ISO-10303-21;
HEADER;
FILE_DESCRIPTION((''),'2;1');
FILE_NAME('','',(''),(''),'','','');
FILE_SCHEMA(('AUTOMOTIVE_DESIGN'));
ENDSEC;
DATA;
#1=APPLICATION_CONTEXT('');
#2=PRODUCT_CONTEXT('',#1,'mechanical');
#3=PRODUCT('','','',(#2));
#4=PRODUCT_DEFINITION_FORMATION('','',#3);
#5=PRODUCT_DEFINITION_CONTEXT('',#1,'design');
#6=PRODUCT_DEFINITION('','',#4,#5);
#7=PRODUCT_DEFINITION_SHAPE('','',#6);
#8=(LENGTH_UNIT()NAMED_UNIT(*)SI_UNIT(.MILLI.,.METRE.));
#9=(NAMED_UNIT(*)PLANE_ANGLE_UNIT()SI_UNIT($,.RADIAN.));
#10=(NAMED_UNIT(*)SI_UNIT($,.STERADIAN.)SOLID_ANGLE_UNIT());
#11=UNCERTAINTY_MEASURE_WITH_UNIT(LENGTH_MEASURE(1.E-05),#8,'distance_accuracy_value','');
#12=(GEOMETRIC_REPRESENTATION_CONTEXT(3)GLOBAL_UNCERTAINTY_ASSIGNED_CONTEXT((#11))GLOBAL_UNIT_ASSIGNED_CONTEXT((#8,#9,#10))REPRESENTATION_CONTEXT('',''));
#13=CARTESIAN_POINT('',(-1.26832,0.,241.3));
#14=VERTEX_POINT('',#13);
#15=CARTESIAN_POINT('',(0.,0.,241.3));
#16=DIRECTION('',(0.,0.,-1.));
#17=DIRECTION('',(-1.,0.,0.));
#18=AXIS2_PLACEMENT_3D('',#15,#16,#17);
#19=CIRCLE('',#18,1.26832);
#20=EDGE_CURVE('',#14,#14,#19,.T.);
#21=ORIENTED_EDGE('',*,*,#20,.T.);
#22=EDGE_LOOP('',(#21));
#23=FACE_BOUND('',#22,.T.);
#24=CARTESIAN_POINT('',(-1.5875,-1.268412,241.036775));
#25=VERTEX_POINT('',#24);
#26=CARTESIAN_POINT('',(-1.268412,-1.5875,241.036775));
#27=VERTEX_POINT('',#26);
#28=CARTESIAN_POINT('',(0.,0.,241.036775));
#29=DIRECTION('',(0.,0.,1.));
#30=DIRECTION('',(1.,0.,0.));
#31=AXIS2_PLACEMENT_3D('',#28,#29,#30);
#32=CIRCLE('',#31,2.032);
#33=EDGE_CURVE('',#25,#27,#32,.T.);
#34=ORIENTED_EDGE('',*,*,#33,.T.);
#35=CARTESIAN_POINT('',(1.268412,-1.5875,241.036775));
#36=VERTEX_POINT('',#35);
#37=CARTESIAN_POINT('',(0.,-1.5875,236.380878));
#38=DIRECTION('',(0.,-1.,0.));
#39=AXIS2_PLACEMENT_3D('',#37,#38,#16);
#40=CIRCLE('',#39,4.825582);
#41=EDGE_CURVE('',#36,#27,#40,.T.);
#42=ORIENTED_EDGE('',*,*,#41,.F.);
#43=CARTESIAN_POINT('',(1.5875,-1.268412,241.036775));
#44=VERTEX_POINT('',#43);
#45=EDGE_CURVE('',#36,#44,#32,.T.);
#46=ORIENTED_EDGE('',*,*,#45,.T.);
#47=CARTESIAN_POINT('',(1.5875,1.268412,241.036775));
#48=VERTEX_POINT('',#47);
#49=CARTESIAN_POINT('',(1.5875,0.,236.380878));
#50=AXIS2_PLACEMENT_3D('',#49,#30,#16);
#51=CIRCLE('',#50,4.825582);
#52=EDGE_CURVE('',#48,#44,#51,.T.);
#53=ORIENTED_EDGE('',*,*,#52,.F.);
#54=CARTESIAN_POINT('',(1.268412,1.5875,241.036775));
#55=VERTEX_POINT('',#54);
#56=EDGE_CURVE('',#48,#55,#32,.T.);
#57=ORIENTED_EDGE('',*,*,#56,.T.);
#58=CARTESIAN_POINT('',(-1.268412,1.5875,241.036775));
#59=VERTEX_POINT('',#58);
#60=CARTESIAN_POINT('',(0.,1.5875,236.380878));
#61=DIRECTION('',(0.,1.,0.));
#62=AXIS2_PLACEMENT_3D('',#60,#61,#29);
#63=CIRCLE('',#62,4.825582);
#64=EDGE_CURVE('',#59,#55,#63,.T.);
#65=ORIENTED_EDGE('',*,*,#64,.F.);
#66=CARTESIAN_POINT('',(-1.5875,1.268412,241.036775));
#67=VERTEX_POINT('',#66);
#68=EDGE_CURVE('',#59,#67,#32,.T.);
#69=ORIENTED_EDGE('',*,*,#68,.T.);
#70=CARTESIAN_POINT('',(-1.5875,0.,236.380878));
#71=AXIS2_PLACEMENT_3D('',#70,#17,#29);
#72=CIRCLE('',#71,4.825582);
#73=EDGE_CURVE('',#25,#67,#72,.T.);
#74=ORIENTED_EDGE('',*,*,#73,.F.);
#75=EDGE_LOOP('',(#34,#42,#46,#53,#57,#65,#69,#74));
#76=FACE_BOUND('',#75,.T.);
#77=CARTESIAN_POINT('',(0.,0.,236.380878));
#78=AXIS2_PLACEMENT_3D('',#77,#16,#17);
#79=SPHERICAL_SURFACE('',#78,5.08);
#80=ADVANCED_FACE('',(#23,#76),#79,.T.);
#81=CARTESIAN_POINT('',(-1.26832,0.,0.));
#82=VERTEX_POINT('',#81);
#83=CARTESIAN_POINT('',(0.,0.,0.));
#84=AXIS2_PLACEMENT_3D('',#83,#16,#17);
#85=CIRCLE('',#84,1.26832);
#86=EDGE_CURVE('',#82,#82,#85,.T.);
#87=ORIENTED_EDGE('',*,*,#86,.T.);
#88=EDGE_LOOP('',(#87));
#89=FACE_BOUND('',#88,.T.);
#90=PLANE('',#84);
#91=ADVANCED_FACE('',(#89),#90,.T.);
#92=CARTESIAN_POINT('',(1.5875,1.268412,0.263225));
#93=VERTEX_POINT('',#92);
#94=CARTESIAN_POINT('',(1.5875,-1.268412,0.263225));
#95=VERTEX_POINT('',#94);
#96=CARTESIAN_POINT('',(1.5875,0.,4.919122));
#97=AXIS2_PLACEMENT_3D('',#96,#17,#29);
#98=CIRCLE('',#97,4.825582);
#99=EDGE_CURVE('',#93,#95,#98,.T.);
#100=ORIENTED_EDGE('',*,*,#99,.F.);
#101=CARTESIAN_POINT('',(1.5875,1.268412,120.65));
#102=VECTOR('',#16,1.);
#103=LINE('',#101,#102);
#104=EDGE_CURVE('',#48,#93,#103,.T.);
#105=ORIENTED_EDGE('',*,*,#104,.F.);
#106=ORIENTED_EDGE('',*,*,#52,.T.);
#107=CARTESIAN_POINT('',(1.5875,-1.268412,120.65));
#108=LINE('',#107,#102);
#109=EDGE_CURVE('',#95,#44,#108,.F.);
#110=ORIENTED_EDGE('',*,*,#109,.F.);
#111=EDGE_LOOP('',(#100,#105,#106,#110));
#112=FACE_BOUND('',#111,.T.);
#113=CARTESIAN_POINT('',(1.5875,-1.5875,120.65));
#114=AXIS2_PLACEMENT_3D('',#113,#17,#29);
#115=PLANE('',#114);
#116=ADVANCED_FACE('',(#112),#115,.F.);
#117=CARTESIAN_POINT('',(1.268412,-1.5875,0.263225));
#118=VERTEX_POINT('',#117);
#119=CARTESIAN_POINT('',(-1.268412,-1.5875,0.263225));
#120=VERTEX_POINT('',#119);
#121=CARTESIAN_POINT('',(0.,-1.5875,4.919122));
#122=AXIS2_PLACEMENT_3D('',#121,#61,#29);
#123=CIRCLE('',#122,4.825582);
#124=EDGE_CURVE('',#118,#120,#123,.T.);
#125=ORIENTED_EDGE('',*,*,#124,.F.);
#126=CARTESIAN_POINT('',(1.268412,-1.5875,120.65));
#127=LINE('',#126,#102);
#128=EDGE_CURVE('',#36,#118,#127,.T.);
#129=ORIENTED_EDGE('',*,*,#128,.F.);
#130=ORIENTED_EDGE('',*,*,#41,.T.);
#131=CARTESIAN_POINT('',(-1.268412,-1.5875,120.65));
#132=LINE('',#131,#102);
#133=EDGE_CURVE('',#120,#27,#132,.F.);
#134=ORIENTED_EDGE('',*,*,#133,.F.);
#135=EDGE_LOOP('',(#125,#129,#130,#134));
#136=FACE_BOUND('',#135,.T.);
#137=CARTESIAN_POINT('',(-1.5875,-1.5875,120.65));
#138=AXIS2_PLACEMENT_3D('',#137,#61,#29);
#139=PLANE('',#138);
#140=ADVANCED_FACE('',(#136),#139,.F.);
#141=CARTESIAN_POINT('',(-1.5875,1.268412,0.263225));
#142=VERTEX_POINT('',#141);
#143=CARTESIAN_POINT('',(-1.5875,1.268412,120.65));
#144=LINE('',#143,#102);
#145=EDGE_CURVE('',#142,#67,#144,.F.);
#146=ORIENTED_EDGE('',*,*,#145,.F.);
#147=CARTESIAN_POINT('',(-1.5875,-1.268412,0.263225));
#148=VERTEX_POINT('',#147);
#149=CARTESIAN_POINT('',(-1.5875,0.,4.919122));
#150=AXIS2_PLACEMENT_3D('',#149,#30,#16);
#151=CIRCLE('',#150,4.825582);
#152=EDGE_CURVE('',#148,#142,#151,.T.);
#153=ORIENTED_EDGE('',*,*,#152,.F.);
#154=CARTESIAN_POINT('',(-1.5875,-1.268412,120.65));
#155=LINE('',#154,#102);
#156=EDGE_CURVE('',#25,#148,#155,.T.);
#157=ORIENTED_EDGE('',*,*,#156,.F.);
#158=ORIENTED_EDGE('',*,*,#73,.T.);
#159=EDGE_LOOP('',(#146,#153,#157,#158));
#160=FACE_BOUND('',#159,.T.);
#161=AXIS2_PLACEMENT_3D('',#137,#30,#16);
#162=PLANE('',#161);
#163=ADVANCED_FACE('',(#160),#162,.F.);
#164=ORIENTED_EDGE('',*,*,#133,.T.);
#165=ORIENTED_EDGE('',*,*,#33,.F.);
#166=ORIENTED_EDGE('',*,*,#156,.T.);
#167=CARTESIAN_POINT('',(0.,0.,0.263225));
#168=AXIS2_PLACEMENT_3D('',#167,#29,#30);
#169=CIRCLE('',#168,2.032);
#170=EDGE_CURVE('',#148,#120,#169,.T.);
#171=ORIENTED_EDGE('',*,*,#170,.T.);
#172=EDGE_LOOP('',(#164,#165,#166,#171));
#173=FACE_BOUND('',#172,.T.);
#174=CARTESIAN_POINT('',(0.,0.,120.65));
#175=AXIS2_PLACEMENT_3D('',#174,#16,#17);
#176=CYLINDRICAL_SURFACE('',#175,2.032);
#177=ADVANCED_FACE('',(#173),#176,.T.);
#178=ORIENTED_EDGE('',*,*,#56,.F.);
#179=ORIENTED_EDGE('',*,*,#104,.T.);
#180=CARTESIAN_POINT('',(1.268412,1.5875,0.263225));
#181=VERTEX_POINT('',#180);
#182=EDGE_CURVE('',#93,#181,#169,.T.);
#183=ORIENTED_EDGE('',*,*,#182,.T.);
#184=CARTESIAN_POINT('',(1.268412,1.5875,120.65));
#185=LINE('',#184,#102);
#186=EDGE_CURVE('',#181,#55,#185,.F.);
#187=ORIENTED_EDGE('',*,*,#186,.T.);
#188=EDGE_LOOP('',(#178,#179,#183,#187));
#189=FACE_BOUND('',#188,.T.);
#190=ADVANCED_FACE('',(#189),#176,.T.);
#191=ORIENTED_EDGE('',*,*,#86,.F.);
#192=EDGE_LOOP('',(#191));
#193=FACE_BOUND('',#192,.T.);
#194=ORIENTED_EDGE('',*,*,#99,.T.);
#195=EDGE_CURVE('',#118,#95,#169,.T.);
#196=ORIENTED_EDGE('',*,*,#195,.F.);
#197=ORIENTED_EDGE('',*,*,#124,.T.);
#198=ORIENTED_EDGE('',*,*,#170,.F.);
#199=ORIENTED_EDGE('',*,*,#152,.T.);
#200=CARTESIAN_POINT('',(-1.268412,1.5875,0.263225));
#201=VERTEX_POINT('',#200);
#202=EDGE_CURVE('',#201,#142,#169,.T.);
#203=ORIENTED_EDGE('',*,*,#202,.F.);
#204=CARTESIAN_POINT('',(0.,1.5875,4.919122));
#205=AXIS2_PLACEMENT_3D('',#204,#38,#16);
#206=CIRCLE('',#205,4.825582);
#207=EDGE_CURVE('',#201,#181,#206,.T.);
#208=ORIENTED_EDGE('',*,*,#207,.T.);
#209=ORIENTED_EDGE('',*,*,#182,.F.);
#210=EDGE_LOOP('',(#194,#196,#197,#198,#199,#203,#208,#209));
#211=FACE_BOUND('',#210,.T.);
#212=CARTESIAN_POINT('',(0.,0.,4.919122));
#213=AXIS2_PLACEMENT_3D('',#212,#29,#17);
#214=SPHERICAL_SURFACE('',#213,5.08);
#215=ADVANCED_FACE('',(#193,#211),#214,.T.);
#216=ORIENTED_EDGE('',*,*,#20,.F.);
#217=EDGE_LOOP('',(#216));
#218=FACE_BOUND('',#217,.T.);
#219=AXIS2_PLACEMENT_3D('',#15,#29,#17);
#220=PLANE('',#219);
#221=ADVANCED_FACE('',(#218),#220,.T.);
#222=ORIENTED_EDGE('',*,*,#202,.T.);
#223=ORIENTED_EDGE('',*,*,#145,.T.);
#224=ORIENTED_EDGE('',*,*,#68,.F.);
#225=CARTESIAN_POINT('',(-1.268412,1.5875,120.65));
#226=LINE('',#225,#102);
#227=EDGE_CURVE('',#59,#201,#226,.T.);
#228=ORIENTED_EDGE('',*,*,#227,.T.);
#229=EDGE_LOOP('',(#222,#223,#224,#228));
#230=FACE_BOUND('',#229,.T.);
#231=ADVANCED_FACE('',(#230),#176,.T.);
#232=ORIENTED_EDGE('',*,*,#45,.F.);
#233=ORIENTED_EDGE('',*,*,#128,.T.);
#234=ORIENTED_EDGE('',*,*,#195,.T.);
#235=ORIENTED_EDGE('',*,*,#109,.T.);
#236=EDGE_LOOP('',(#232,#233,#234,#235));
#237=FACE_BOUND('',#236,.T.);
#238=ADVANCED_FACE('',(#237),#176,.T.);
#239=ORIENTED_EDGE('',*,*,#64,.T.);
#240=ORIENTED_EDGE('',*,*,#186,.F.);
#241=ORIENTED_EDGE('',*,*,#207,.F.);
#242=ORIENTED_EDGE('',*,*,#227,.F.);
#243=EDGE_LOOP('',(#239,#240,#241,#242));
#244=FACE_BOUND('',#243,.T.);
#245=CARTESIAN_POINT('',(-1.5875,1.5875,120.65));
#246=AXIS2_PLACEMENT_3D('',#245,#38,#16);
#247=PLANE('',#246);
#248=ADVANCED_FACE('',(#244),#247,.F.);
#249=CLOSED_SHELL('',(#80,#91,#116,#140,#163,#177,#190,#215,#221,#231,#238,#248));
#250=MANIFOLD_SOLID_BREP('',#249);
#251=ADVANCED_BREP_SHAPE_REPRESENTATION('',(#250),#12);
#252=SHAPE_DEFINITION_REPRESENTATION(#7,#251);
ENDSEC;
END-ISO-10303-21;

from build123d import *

# Parameters (mm, degrees)
SKETCH1_W           = 3.175
SKETCH1_H           = 3.175
BOSS_EXTRUDE1_DEPTH = 120.65
SKETCH2_OUTSIDE_W   = 29.322
SKETCH2_OUTSIDE_H   = 29.322
SKETCH2_OUTSIDE_R   = 2.032
CUT_EXTRUDE1_DEPTH  = 121.65


with BuildPart() as part:
    # Sketch1 → Boss-Extrude1 (new body)
    with BuildSketch(Plane.XY):
        Rectangle(SKETCH1_W, SKETCH1_H)
    extrude(amount=BOSS_EXTRUDE1_DEPTH)

    # Sketch2 outside → Cut-Extrude1 (cut, through all)
    with BuildSketch(Plane(origin=(0, 0, 0), x_dir=(-1, 0, 0), z_dir=(0, 0, -1))):
        Rectangle(SKETCH2_OUTSIDE_W, SKETCH2_OUTSIDE_H)
        Circle(SKETCH2_OUTSIDE_R, mode=Mode.SUBTRACT)
    extrude(amount=-CUT_EXTRUDE1_DEPTH, mode=Mode.SUBTRACT)

    # Sketch3 → Cut-Revolve1 (revolve, cut)
    with BuildSketch(Plane(origin=(0, 0, 0), x_dir=(1, 0, 0), z_dir=(0, 1, 0))):
        with BuildLine():
            Line((-5.053685963, -4.40273269), (-5.053685963, 5.740530545))
            Line((-5.053685963, 5.740530545), (0, 5.740530545))
            Line((0, 5.740530545), (0, 0.160877736))
            ThreePointArc((0, 0.160877736), (-3.404639553, -1.148866368), (-5.053685963, -4.40273269))
        make_face()
    revolve(axis=Axis((0, 0, 120.65), (0, 0, -1)), mode=Mode.SUBTRACT)

    # Mirror1: part across plane


with BuildPart() as part_1:
    add(part.part)
    add(part.part.mirror(Plane(origin=(0, 0, 120.65), x_dir=(1, 0, 0), z_dir=(0, 0, -1))))


solid = part_1.part
